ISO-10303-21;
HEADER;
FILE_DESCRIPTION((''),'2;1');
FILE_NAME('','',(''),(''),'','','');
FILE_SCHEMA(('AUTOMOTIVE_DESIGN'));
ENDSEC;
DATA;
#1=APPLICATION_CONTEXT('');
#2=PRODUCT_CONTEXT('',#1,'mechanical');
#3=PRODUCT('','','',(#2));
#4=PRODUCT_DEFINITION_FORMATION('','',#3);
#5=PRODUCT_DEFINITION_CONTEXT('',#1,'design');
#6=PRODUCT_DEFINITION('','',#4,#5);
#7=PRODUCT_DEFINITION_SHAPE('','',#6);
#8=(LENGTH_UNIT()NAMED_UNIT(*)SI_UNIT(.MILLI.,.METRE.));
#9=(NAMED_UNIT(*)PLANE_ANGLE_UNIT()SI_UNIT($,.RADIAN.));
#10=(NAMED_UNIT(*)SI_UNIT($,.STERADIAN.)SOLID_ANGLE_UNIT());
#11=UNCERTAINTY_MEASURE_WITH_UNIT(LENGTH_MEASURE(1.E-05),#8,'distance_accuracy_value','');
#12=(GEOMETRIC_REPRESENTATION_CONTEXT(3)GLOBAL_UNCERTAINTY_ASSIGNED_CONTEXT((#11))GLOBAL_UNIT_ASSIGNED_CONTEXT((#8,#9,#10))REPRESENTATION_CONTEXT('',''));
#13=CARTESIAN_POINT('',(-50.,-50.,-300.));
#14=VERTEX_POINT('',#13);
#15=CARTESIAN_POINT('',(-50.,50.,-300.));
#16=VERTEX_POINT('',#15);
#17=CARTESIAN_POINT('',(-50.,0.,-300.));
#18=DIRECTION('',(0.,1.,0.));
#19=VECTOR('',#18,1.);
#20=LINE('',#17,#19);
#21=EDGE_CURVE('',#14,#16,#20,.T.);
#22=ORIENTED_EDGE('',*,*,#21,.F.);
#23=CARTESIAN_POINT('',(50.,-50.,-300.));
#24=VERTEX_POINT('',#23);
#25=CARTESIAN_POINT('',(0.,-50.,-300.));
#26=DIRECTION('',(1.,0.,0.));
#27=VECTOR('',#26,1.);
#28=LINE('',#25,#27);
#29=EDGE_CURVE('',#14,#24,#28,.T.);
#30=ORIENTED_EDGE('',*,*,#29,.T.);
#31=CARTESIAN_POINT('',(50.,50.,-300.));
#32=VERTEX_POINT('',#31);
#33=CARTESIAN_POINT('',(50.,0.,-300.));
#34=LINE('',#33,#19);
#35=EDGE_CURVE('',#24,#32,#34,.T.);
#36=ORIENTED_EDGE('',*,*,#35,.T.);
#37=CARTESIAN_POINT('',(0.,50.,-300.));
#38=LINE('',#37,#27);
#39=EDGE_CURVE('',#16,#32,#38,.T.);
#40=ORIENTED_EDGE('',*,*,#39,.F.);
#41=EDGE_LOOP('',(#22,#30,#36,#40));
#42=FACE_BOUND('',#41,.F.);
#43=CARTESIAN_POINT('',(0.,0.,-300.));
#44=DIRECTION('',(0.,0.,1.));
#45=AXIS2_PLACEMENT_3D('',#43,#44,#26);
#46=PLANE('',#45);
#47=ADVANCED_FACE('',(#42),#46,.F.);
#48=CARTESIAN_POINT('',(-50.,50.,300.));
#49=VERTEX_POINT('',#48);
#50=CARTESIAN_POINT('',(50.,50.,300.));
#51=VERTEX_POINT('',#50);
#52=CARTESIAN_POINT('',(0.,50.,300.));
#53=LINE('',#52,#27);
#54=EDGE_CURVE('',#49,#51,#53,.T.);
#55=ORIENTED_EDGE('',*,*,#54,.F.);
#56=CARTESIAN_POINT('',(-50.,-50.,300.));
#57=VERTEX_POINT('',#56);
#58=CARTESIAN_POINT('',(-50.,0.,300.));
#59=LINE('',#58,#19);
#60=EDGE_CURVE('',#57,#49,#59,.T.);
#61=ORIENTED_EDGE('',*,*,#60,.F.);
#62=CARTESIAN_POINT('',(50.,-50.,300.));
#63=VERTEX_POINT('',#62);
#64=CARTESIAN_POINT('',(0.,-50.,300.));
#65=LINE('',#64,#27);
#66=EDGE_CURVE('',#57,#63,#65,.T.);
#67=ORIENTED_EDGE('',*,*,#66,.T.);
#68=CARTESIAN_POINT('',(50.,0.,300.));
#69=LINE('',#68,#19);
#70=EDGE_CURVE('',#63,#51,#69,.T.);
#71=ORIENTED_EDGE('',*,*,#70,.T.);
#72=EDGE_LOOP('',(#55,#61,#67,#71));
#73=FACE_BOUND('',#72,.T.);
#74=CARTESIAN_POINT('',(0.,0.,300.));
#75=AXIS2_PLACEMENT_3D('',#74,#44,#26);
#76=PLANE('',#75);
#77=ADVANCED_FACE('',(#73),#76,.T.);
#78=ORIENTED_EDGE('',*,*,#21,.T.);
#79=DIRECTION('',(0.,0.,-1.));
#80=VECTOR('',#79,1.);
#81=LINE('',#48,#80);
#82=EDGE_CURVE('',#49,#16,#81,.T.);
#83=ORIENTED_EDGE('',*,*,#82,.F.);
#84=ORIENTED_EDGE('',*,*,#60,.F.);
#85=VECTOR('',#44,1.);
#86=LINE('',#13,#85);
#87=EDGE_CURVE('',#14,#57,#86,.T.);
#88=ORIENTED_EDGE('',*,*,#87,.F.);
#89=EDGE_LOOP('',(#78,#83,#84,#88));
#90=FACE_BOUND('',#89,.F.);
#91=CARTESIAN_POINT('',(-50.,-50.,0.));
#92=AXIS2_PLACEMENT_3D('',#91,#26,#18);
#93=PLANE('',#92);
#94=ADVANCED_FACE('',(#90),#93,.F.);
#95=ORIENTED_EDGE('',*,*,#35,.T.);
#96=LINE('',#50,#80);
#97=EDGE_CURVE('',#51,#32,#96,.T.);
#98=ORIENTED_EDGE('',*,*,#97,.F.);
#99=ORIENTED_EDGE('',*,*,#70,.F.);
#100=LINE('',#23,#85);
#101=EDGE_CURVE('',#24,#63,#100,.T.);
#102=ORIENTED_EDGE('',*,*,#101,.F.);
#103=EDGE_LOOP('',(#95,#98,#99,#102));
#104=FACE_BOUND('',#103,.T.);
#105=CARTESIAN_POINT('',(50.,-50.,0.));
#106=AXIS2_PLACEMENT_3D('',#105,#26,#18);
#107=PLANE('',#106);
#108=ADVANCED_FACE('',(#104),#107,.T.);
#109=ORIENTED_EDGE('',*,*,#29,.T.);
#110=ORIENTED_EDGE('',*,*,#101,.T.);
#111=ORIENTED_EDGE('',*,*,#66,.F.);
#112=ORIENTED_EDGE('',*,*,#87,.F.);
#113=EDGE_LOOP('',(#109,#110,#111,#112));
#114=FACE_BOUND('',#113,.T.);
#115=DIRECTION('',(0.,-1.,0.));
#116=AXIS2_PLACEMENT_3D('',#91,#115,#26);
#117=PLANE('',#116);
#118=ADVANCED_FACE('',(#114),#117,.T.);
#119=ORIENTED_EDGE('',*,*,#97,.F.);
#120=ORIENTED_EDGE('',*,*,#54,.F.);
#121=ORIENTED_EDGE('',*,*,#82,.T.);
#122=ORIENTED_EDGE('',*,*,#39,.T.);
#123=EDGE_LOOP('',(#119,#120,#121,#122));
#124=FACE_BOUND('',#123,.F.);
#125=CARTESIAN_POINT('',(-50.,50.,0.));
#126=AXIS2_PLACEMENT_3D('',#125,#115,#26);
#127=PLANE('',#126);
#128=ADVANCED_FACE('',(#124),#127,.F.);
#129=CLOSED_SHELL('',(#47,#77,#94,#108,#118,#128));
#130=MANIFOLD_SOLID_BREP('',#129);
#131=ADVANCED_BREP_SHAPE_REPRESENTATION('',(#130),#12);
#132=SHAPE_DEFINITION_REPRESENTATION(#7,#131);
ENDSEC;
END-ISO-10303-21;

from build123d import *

# Parameters (mm, degrees)
SKETCH_W  = 100
SKETCH_H  = 100
PAD_DEPTH = 300


with BuildPart() as part:
    # Sketch → Pad (new body, symmetric)
    with BuildSketch(Plane.XY):
        Rectangle(SKETCH_W, SKETCH_H)
    extrude(amount=PAD_DEPTH, both=True)


solid = part.part
